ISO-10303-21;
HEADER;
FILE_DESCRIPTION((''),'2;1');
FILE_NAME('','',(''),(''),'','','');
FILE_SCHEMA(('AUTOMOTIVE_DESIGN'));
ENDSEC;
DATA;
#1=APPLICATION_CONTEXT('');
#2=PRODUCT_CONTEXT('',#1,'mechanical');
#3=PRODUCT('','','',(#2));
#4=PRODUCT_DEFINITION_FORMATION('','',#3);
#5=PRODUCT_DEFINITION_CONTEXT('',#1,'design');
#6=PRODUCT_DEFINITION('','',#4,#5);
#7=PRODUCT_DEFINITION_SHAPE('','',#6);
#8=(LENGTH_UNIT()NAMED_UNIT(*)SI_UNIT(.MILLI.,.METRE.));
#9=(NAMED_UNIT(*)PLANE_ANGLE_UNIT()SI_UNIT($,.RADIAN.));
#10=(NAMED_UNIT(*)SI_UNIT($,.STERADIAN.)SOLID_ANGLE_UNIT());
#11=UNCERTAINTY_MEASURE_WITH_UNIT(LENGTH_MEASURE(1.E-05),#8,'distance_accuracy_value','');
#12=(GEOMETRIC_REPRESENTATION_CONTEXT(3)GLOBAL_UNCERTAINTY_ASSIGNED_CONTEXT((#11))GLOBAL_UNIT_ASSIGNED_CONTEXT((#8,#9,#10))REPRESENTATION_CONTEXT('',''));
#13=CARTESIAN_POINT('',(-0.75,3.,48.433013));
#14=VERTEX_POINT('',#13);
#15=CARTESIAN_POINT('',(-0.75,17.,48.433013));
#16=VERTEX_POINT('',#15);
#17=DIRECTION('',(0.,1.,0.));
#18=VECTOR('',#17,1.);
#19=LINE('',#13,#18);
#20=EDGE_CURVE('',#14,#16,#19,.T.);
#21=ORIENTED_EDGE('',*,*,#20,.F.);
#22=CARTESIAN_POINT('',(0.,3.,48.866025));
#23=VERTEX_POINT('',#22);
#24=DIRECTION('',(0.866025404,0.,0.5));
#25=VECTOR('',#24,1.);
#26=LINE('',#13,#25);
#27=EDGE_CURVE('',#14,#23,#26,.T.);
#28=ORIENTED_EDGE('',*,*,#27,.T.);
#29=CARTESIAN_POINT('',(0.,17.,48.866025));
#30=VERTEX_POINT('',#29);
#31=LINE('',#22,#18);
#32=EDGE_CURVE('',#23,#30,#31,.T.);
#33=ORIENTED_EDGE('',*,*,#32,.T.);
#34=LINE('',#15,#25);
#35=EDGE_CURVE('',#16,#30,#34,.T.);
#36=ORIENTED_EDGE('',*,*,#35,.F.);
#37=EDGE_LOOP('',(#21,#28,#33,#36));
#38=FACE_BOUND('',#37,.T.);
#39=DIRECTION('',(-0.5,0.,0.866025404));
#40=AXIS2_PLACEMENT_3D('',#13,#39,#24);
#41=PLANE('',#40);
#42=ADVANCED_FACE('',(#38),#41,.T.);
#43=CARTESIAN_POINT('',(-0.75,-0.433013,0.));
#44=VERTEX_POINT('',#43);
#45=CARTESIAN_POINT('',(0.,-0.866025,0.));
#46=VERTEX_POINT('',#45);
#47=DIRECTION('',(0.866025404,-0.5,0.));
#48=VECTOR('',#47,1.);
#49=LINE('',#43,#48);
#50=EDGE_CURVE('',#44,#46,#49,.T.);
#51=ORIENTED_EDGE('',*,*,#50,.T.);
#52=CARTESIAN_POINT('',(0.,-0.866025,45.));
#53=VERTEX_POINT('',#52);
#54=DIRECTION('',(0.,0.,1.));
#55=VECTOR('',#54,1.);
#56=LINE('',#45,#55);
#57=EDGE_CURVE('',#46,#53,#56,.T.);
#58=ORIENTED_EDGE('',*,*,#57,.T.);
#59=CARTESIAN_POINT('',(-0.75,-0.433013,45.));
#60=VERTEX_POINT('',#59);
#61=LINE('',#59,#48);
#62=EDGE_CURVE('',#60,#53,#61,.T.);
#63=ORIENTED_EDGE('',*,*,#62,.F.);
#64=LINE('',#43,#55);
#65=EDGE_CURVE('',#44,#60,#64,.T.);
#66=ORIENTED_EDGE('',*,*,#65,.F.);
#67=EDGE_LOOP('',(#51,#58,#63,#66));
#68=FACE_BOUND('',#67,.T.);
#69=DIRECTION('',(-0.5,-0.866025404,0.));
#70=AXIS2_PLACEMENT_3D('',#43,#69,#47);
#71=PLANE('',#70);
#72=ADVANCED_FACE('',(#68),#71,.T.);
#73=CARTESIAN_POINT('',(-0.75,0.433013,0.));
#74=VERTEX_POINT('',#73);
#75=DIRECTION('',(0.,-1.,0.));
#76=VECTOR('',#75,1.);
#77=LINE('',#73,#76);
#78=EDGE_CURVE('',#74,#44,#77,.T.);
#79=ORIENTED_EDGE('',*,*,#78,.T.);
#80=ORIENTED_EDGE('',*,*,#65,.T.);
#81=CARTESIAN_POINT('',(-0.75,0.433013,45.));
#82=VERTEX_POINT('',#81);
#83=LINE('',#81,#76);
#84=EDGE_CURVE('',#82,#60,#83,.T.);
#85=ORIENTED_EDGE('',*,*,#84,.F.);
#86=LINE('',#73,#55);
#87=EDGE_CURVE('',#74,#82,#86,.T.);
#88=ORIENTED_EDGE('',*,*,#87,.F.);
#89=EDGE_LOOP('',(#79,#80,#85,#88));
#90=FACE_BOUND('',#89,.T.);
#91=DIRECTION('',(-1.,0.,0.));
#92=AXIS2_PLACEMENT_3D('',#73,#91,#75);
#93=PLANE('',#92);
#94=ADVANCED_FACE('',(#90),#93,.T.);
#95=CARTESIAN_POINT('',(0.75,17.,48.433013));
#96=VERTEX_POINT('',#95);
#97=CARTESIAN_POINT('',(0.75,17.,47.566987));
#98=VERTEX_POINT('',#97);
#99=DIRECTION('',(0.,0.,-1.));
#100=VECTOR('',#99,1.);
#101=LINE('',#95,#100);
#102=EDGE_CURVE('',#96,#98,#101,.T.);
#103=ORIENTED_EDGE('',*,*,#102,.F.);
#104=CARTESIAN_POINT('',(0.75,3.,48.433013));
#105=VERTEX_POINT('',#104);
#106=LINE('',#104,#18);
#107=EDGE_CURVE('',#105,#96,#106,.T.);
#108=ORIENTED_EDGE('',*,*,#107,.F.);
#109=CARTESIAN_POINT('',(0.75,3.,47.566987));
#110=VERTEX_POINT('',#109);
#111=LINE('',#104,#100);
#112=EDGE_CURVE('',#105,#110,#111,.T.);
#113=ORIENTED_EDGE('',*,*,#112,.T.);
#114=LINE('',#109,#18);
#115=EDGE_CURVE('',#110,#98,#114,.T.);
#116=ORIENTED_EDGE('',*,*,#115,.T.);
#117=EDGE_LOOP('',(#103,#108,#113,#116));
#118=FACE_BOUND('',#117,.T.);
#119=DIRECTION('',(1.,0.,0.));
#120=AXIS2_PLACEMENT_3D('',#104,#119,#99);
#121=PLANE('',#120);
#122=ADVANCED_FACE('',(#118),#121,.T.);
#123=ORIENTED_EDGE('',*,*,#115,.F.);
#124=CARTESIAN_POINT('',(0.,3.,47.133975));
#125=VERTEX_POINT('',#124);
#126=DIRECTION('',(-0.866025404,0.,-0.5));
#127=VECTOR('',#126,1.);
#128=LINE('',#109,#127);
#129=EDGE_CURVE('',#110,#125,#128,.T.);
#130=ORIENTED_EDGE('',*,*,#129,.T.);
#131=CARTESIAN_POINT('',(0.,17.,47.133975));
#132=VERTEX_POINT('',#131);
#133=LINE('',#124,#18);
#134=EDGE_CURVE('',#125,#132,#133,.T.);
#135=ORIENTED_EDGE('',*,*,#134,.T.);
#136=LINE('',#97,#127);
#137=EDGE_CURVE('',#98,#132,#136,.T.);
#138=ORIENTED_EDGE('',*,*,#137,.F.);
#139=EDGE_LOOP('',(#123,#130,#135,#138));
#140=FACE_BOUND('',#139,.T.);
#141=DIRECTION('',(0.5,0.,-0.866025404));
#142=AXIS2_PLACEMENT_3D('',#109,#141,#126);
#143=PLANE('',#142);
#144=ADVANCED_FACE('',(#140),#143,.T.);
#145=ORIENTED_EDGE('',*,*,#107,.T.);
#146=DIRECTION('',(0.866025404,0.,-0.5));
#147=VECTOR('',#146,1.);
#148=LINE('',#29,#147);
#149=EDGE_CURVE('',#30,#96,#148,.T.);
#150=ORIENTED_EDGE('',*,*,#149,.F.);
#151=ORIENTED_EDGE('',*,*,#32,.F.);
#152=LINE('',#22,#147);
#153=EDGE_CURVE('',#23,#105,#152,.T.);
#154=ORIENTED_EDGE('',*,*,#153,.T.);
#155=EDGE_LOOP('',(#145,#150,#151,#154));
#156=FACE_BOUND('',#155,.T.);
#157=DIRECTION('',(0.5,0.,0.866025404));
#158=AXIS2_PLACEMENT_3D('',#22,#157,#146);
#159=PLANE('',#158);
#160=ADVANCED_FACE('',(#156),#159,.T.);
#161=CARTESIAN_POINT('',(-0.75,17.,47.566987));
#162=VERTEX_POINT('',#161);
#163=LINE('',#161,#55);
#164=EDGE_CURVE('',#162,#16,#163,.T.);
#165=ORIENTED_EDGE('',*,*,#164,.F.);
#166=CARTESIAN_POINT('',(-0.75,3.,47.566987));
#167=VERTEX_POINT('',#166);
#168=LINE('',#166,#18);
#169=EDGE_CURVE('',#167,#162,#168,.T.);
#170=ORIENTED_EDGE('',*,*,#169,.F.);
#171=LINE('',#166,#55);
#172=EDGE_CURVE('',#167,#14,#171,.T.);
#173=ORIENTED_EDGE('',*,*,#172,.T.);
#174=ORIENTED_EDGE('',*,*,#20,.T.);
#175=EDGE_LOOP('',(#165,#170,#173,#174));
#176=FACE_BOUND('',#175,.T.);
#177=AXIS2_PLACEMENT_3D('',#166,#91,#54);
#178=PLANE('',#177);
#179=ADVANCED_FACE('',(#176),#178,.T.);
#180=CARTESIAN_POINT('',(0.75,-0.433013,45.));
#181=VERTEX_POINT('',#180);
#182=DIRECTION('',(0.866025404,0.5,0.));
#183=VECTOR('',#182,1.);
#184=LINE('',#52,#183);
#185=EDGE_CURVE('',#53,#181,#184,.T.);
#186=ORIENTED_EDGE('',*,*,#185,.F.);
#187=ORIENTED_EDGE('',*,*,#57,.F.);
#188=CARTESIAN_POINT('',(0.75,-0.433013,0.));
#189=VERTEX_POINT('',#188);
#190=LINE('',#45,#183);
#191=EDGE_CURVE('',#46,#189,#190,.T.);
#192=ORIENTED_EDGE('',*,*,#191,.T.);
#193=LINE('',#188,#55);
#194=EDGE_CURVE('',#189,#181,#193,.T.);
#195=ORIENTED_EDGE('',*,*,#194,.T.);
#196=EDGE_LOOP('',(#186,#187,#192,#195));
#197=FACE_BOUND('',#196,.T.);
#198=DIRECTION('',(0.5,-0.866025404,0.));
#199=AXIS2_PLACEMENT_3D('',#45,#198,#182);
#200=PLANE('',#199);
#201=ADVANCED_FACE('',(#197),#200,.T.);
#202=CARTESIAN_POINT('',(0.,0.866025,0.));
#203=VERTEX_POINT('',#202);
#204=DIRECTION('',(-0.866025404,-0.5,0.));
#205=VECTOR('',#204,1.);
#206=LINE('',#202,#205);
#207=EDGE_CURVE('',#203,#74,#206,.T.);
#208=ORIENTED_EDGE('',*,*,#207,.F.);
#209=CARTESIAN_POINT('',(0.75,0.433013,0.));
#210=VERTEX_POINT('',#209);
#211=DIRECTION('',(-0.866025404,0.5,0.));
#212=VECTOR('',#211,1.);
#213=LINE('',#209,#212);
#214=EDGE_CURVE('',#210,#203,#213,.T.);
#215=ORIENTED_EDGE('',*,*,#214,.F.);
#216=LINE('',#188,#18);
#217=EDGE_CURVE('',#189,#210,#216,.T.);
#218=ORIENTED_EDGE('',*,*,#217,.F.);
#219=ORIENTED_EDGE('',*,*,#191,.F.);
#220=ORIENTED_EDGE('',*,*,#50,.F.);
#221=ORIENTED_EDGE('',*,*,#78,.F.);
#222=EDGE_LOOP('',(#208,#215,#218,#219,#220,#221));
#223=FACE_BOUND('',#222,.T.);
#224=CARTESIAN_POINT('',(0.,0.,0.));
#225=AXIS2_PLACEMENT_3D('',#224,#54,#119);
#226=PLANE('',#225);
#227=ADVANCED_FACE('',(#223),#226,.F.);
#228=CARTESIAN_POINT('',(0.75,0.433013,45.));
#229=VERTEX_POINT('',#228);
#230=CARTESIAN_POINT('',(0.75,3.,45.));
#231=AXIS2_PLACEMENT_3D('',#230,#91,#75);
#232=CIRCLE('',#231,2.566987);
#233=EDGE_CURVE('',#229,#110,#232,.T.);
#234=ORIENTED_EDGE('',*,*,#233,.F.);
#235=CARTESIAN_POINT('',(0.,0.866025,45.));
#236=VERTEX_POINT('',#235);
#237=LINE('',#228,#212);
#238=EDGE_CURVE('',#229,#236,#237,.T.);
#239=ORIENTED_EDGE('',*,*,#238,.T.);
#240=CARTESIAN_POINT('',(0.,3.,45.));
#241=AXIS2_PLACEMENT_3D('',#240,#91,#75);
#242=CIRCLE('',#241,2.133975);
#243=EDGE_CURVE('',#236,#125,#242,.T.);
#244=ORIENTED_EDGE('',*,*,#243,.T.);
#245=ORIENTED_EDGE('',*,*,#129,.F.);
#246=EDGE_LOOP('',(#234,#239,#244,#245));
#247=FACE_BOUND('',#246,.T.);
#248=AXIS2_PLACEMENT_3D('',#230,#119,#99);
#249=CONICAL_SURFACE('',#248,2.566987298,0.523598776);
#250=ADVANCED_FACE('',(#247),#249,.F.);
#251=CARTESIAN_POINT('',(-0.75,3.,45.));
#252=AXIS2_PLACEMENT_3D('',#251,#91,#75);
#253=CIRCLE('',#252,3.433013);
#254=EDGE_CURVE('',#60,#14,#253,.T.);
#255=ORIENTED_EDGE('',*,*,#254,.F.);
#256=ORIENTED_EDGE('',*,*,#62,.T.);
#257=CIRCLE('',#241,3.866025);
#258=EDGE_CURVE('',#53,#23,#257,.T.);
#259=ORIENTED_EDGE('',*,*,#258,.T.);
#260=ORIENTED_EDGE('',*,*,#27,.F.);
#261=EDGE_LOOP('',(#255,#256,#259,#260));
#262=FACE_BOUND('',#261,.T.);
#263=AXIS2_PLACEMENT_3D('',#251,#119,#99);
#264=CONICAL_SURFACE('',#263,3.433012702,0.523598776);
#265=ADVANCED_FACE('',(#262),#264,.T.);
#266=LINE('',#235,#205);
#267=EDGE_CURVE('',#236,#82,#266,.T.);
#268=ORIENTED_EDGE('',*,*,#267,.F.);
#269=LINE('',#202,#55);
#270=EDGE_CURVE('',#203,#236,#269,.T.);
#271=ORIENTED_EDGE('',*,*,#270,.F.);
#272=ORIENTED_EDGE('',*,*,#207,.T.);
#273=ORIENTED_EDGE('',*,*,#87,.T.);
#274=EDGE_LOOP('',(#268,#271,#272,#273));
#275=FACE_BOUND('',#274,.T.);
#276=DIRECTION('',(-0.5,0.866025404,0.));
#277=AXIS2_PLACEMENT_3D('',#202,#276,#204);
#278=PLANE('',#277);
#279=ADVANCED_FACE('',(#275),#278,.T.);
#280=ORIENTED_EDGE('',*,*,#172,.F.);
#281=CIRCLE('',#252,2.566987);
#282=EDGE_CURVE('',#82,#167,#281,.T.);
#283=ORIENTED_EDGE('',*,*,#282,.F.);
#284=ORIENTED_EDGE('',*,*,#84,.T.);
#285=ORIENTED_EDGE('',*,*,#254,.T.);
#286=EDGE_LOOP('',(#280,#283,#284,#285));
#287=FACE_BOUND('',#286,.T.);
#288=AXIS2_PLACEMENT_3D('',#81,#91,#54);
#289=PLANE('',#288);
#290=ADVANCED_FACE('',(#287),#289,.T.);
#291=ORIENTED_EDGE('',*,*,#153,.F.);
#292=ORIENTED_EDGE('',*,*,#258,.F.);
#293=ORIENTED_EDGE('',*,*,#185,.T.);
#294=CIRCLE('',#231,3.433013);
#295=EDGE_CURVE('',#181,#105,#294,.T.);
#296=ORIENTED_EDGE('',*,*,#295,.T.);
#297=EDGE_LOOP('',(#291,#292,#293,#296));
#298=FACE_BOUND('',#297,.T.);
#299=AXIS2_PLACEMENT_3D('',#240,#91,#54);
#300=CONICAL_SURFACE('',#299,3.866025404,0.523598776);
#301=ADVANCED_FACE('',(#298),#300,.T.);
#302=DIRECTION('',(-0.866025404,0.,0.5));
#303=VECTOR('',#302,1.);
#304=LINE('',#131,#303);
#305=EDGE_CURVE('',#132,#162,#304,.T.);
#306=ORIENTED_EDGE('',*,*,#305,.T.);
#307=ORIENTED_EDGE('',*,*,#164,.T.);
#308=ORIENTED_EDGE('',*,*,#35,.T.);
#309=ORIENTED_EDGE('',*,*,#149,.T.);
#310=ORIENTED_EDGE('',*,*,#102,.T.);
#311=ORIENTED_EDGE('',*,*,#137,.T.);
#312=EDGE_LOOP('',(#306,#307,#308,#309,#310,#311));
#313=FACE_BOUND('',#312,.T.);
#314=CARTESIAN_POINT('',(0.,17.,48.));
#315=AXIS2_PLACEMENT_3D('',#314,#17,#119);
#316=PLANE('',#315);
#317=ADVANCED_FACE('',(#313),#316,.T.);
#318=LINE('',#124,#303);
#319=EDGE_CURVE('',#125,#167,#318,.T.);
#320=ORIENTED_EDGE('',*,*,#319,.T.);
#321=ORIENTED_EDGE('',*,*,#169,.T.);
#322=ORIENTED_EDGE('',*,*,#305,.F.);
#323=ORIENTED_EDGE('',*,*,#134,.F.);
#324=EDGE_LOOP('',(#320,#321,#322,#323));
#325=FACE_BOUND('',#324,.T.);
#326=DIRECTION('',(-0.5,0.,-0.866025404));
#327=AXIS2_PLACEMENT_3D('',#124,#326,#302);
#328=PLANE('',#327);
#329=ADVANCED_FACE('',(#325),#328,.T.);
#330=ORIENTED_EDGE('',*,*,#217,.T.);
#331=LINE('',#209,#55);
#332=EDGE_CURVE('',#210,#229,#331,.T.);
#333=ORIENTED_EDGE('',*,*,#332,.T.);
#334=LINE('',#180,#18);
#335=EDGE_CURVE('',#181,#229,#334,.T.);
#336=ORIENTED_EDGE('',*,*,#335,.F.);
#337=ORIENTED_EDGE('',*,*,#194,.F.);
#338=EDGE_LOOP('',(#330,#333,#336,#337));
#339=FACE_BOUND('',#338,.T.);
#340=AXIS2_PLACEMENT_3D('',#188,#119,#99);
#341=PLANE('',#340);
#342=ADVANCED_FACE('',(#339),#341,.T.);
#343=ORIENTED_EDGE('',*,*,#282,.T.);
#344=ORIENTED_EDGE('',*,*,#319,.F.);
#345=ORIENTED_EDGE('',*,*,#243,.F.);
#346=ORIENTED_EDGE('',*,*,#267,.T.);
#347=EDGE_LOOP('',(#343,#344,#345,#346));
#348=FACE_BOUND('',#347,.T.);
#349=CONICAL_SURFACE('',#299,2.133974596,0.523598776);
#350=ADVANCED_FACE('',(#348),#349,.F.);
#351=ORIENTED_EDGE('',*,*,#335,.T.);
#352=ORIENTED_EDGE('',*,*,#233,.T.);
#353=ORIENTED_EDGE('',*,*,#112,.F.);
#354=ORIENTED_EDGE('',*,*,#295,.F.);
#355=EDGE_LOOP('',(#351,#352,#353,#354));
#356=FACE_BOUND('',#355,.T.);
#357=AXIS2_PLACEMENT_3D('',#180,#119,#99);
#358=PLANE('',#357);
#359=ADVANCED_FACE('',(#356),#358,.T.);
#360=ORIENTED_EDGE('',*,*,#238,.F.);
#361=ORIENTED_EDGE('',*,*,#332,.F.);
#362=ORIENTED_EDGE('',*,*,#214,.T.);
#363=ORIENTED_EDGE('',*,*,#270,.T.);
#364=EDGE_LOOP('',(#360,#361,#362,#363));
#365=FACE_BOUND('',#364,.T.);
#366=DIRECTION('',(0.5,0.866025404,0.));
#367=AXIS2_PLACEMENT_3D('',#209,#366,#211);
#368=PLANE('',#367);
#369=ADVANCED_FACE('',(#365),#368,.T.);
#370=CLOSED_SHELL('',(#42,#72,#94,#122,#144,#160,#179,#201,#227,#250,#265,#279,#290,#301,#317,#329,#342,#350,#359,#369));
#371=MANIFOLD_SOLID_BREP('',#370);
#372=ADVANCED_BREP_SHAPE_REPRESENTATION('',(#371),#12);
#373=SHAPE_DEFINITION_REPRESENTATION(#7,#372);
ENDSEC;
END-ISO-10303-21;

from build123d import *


with BuildPart() as part:
    # Sweep1: sweep along a curve in space
    with BuildLine() as sweep1_path:
        Line((0, 0, 0), (0, 0, 45))
        ThreePointArc((0, 3, 48), (0, 0.878679656, 47.121320344), (0, 0, 45))
        Line((0, 3, 48), (0, 17, 48))
    # Sketch1 → Sweep1 (sweep)
    with BuildSketch(Plane(origin=(0, 0, 0), x_dir=(0, 1, 0), z_dir=(0, 0, 1))):
        Polygon((0.866025404, 0), (0.433012702, 0.75), (-0.433012702, 0.75), (-0.866025404, 0), (-0.433012702, -0.75), (0.433012702, -0.75), align=None)
    sweep(path=sweep1_path.line)


solid = part.part
